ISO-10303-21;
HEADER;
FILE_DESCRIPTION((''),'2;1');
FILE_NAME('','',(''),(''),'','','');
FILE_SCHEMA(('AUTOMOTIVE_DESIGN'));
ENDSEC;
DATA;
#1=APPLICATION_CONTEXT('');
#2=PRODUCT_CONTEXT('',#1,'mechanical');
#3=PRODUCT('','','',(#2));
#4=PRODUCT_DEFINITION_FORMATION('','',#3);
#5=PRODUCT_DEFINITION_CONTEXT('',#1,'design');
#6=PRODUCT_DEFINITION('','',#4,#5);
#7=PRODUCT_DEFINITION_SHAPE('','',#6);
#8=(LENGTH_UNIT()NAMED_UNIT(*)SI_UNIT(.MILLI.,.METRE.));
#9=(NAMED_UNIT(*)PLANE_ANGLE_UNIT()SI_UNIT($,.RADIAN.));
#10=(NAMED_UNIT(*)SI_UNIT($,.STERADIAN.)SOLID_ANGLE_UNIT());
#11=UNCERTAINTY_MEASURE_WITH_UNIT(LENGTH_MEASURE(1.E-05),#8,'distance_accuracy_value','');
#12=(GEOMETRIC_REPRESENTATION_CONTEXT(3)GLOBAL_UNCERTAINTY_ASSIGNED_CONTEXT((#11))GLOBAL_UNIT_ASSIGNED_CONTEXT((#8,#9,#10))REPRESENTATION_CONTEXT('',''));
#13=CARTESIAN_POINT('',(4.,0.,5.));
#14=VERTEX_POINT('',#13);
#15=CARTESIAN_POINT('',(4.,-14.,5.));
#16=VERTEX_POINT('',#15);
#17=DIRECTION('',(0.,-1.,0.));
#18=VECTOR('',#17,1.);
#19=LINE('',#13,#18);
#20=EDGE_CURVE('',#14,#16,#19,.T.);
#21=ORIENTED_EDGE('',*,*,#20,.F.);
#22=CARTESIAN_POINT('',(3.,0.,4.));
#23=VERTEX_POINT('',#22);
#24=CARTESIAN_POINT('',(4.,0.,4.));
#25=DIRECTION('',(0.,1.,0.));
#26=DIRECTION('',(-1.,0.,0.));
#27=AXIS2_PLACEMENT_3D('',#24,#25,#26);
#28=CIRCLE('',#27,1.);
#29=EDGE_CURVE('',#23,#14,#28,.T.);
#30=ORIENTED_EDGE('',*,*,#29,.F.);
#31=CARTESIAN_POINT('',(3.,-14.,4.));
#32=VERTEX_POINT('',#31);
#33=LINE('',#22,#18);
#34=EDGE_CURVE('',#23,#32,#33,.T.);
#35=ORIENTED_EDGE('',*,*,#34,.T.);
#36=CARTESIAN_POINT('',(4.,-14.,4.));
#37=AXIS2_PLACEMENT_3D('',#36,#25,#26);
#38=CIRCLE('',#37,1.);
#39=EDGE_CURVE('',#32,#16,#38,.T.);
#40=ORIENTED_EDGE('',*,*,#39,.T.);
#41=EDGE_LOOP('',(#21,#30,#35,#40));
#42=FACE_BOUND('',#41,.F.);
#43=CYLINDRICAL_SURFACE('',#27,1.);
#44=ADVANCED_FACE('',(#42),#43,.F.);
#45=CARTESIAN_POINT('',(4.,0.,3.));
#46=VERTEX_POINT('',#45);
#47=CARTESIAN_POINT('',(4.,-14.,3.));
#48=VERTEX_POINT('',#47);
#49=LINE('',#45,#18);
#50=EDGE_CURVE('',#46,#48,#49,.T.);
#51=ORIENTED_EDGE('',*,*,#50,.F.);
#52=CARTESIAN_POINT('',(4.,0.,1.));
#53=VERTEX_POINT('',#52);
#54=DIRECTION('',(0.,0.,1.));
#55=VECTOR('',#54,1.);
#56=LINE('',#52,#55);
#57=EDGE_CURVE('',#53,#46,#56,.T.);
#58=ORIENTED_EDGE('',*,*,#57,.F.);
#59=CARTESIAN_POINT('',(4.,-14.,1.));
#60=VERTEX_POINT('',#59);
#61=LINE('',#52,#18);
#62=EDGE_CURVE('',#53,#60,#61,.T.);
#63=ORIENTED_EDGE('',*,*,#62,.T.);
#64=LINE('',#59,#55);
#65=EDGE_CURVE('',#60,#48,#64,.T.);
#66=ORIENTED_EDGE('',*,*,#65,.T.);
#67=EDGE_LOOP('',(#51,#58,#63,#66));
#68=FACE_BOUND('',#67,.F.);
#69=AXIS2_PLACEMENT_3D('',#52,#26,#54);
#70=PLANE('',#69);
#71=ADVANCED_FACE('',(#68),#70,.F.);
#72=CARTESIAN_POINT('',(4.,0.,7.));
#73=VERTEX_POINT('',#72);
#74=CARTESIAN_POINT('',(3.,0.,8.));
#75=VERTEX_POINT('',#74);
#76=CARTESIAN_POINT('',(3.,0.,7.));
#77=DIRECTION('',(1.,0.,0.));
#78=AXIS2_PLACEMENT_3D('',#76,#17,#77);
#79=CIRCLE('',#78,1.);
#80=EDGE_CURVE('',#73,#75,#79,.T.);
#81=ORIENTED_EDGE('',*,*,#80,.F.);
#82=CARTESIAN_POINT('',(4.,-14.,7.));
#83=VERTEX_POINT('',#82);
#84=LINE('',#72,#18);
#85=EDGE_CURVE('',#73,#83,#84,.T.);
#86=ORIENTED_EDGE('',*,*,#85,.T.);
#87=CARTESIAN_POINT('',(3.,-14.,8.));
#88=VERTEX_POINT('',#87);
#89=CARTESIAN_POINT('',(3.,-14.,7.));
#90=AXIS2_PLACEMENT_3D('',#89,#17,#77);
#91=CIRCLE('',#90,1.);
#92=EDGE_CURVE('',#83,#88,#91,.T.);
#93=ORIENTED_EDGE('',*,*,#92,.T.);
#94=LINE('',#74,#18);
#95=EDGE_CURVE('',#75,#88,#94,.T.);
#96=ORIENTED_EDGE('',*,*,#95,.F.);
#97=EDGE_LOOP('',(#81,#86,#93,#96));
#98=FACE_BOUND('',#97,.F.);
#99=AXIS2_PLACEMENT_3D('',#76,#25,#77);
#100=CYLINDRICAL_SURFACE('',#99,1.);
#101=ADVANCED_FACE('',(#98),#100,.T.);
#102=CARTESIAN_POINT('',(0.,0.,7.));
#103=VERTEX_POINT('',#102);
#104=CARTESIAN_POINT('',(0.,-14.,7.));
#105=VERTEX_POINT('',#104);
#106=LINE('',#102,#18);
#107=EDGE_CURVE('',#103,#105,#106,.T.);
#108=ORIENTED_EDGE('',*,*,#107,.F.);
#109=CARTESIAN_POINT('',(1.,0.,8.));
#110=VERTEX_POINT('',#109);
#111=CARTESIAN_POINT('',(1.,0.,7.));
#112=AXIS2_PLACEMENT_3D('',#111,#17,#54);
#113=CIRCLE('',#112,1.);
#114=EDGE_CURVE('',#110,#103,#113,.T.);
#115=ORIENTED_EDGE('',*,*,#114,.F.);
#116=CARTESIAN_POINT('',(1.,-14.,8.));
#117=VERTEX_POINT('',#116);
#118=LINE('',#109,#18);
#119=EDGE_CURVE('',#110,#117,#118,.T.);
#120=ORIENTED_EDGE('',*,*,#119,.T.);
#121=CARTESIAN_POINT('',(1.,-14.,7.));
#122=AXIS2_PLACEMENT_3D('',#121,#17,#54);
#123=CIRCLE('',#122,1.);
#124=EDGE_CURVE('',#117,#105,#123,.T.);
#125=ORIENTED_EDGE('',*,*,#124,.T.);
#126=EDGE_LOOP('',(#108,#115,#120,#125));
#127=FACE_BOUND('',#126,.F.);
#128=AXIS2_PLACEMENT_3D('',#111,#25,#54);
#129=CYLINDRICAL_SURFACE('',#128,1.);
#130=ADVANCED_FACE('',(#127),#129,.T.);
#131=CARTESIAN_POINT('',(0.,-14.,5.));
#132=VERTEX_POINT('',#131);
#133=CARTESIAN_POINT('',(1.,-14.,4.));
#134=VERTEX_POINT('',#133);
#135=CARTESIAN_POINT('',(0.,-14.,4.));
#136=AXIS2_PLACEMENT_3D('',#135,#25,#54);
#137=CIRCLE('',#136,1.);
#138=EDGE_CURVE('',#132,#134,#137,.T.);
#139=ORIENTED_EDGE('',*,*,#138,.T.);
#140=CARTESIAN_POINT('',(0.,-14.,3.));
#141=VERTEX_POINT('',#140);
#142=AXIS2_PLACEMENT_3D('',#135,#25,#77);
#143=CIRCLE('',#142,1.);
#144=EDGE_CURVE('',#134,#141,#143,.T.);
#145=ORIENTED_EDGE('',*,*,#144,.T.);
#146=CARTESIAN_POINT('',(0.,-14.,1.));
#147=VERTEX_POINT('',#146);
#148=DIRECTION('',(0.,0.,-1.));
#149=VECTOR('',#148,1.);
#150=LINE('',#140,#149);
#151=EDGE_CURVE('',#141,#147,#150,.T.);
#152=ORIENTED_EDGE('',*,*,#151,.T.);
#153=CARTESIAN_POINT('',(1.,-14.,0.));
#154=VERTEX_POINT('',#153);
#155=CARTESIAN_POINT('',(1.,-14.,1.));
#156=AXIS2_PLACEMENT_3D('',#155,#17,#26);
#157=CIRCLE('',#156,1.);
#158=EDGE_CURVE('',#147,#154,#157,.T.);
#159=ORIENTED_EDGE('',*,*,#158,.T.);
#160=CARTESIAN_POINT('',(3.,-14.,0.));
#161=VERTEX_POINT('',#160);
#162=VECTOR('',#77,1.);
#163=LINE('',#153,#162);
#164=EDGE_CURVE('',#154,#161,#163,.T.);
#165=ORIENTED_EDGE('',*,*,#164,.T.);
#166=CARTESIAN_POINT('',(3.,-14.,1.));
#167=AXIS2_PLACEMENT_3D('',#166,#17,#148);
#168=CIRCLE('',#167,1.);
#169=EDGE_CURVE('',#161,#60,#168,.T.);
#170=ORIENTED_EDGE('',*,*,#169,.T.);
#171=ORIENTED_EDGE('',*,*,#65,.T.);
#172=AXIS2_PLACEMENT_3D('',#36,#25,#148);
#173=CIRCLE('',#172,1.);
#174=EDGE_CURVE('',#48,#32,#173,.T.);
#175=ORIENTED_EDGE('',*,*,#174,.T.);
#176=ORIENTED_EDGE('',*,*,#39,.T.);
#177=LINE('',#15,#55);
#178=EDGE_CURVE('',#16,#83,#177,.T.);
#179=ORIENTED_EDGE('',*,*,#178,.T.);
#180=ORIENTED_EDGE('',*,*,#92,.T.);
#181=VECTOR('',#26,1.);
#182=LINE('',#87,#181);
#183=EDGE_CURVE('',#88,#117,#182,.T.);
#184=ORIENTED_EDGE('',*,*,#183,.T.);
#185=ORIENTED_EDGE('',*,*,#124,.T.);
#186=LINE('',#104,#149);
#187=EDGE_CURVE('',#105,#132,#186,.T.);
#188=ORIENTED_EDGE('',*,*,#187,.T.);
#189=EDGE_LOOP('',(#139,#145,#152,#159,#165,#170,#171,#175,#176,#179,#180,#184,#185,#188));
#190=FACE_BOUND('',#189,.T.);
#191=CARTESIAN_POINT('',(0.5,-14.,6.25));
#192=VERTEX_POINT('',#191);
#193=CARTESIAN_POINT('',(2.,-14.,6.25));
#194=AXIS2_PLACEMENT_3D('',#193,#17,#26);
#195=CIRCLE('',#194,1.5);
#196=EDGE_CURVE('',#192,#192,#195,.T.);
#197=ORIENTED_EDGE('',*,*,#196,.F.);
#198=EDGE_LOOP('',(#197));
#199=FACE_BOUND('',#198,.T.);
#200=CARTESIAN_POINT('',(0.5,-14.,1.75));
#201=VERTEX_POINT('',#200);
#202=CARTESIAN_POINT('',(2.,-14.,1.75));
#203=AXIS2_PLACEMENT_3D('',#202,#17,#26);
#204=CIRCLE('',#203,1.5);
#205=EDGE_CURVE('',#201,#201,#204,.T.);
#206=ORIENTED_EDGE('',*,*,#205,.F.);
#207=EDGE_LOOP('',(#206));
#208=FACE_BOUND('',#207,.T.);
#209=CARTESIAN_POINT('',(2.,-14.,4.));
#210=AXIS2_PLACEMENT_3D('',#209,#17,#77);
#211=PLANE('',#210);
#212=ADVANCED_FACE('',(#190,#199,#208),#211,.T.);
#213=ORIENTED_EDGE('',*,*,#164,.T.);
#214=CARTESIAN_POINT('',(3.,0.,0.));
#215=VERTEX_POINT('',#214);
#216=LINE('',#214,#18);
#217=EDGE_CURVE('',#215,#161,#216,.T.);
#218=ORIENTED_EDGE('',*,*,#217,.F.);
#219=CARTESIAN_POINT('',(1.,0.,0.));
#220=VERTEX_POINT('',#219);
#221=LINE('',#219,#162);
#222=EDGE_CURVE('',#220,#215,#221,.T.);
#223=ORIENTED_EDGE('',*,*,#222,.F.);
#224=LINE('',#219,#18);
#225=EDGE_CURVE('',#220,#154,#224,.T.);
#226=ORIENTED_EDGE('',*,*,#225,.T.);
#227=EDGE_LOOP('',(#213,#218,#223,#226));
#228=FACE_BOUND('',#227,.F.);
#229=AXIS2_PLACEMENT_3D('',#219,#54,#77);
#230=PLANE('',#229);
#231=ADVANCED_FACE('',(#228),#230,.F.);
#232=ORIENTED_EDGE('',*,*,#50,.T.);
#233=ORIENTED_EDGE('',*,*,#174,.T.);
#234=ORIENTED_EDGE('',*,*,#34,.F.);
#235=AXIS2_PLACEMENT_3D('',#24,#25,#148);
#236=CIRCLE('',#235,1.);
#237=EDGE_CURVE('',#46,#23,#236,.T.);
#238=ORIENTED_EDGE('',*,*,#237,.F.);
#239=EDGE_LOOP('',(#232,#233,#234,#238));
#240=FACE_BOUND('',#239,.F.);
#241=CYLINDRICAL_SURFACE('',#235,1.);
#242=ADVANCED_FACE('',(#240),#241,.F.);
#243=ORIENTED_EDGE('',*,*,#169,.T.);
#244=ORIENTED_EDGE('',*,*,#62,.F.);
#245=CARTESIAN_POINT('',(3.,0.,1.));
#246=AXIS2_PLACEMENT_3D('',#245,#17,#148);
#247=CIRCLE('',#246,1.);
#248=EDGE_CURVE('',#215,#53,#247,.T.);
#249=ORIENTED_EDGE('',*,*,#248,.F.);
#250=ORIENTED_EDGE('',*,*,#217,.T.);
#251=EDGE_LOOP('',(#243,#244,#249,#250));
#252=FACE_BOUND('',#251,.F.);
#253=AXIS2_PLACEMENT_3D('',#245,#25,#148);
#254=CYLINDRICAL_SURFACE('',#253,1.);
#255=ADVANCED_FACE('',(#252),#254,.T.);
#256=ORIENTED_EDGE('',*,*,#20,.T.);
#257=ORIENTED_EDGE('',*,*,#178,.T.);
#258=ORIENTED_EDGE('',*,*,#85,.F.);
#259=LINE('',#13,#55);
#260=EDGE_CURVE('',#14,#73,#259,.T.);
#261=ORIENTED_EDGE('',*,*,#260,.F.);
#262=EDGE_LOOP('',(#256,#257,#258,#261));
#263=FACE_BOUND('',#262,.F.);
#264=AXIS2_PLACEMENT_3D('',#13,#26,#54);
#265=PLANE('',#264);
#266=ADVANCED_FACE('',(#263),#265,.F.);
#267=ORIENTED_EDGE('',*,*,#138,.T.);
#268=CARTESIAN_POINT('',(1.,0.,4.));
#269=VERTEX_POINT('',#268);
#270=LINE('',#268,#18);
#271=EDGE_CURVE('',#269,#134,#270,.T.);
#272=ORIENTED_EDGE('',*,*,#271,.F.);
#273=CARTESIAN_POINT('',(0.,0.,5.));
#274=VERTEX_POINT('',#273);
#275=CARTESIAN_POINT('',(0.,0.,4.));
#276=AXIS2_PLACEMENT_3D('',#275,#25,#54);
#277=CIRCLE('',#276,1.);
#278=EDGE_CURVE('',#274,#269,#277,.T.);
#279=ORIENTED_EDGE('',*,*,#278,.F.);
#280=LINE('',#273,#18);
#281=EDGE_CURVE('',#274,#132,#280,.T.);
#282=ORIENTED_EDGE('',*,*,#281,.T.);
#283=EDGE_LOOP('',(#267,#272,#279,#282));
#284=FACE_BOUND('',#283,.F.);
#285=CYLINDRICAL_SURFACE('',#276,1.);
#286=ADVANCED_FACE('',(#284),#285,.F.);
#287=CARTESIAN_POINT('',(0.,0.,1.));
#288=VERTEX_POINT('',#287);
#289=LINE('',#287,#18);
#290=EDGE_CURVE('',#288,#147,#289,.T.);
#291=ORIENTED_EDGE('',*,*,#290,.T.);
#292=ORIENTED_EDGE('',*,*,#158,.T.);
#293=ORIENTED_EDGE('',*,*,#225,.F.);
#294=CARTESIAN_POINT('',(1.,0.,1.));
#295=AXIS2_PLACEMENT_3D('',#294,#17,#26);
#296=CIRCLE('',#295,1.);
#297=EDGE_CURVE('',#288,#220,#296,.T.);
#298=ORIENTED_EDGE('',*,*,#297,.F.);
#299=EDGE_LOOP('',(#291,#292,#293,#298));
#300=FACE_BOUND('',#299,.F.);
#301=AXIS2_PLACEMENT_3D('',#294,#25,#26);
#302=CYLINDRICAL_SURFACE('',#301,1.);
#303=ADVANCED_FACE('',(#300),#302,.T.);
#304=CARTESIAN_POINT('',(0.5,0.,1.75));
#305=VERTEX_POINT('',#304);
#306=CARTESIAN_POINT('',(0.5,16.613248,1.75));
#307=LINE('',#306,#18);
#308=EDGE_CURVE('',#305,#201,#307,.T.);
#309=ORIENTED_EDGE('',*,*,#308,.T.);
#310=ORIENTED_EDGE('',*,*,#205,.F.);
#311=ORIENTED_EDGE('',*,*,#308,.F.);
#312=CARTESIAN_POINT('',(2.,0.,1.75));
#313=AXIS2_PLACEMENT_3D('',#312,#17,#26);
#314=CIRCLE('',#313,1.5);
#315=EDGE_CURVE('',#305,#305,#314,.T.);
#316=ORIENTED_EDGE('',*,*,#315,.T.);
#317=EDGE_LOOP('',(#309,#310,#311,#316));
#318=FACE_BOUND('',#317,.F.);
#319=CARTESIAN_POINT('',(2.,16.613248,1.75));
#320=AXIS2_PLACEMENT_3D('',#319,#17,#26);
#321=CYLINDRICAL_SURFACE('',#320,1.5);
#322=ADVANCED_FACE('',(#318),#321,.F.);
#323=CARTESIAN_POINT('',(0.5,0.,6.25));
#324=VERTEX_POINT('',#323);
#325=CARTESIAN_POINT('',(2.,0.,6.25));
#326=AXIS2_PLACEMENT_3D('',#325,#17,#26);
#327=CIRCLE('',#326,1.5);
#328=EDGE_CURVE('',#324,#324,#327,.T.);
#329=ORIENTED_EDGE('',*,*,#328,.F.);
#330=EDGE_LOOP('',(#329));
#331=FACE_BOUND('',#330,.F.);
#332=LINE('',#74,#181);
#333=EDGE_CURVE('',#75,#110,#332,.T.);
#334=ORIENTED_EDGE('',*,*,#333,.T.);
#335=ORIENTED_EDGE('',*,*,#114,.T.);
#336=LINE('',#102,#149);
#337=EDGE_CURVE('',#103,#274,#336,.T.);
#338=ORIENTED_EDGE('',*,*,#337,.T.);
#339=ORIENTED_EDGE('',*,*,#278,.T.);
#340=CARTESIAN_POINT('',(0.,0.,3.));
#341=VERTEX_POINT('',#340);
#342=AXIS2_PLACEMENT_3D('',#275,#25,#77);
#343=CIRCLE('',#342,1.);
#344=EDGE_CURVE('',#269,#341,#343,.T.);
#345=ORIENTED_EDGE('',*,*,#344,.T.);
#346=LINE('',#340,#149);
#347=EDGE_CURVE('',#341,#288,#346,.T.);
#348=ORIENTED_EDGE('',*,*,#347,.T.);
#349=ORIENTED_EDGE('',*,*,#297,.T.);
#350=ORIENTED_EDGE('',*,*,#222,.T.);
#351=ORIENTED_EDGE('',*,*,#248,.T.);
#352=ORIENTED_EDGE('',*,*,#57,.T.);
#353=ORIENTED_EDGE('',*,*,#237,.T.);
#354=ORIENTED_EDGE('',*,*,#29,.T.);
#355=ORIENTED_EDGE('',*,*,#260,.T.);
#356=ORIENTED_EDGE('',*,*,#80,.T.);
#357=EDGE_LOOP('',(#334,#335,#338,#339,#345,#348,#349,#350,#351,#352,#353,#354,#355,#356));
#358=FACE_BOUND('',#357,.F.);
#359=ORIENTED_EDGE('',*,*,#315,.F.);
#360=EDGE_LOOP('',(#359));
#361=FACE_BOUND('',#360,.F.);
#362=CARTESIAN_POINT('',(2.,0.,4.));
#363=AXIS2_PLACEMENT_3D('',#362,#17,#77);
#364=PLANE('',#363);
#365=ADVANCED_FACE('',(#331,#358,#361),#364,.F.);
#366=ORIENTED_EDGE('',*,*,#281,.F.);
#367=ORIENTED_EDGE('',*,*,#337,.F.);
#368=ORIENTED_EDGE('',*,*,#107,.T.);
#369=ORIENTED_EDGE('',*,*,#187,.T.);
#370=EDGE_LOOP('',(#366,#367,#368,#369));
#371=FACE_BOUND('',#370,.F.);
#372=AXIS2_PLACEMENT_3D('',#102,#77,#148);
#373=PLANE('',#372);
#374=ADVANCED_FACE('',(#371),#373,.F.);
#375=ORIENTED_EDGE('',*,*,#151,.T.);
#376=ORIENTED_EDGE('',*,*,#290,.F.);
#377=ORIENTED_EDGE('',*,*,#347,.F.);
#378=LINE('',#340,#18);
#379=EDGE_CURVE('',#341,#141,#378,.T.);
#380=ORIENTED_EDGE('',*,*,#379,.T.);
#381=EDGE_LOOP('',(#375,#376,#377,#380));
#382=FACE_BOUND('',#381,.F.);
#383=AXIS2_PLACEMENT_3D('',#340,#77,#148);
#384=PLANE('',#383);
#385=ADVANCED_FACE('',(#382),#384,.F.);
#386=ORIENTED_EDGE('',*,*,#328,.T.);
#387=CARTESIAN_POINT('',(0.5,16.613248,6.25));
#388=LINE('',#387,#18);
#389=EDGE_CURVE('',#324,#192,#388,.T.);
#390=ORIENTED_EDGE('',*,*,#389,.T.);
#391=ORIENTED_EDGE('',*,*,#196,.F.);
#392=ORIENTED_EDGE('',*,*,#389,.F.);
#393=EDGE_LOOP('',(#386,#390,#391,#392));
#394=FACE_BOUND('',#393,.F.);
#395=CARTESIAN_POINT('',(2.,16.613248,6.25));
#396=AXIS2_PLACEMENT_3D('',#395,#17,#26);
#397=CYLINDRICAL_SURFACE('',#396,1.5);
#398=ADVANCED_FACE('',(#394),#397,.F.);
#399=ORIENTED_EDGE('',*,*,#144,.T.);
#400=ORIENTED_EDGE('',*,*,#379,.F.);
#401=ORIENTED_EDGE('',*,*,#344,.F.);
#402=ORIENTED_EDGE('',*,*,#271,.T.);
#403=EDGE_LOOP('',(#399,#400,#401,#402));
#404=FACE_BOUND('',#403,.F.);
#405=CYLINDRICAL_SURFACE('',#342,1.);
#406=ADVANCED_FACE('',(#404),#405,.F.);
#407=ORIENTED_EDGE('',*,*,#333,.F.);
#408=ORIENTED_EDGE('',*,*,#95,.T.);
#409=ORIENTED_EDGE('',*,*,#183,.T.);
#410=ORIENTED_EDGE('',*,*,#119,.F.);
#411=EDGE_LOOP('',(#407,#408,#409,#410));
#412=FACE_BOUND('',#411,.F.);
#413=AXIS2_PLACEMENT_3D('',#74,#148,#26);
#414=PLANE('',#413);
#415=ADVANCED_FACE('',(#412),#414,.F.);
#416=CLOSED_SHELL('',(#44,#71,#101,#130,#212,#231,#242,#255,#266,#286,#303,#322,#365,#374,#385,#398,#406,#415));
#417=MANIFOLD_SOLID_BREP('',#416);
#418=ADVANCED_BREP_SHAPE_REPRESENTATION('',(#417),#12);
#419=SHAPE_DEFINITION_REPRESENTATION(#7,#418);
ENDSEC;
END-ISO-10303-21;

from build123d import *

# Parameters (mm, degrees)
F1_DEPTH = 14
F3_D     = 3


with BuildPart() as f1:
    # F0 (on Front) → F1 (new body)
    with BuildSketch(Plane.XZ):
        with BuildLine():
            ThreePointArc((0, 1), (0.2928932188, 0.2928932188), (1, 0))
            Line((1, 0), (3, 0))
            ThreePointArc((3, 0), (3.7071067812, 0.2928932188), (4, 1))
            Line((4, 1), (4, 3))
            ThreePointArc((4, 3), (3.2928932188, 3.2928932188), (3, 4))
            ThreePointArc((3, 4), (3.2928932188, 4.7071067812), (4, 5))
            Line((4, 5), (4, 7))
            ThreePointArc((4, 7), (3.7071067812, 7.7071067812), (3, 8))
            Line((3, 8), (1, 8))
            ThreePointArc((1, 8), (0.2928932188, 7.7071067812), (0, 7))
            Line((0, 7), (0, 5))
            ThreePointArc((0, 5), (0.7071067812, 4.7071067812), (1, 4))
            ThreePointArc((1, 4), (0.7071067812, 3.2928932188), (0, 3))
            Line((0, 3), (0, 1))
        make_face()
    extrude(amount=F1_DEPTH)

    # F3 (through all)
    with Locations(Plane(origin=(0, 0, 0), x_dir=(1, 0, 0), z_dir=(0, 1, 0))):
        with Locations((2, -6.25), (2, -1.75)):
            Hole(F3_D / 2)


solid = f1.part
